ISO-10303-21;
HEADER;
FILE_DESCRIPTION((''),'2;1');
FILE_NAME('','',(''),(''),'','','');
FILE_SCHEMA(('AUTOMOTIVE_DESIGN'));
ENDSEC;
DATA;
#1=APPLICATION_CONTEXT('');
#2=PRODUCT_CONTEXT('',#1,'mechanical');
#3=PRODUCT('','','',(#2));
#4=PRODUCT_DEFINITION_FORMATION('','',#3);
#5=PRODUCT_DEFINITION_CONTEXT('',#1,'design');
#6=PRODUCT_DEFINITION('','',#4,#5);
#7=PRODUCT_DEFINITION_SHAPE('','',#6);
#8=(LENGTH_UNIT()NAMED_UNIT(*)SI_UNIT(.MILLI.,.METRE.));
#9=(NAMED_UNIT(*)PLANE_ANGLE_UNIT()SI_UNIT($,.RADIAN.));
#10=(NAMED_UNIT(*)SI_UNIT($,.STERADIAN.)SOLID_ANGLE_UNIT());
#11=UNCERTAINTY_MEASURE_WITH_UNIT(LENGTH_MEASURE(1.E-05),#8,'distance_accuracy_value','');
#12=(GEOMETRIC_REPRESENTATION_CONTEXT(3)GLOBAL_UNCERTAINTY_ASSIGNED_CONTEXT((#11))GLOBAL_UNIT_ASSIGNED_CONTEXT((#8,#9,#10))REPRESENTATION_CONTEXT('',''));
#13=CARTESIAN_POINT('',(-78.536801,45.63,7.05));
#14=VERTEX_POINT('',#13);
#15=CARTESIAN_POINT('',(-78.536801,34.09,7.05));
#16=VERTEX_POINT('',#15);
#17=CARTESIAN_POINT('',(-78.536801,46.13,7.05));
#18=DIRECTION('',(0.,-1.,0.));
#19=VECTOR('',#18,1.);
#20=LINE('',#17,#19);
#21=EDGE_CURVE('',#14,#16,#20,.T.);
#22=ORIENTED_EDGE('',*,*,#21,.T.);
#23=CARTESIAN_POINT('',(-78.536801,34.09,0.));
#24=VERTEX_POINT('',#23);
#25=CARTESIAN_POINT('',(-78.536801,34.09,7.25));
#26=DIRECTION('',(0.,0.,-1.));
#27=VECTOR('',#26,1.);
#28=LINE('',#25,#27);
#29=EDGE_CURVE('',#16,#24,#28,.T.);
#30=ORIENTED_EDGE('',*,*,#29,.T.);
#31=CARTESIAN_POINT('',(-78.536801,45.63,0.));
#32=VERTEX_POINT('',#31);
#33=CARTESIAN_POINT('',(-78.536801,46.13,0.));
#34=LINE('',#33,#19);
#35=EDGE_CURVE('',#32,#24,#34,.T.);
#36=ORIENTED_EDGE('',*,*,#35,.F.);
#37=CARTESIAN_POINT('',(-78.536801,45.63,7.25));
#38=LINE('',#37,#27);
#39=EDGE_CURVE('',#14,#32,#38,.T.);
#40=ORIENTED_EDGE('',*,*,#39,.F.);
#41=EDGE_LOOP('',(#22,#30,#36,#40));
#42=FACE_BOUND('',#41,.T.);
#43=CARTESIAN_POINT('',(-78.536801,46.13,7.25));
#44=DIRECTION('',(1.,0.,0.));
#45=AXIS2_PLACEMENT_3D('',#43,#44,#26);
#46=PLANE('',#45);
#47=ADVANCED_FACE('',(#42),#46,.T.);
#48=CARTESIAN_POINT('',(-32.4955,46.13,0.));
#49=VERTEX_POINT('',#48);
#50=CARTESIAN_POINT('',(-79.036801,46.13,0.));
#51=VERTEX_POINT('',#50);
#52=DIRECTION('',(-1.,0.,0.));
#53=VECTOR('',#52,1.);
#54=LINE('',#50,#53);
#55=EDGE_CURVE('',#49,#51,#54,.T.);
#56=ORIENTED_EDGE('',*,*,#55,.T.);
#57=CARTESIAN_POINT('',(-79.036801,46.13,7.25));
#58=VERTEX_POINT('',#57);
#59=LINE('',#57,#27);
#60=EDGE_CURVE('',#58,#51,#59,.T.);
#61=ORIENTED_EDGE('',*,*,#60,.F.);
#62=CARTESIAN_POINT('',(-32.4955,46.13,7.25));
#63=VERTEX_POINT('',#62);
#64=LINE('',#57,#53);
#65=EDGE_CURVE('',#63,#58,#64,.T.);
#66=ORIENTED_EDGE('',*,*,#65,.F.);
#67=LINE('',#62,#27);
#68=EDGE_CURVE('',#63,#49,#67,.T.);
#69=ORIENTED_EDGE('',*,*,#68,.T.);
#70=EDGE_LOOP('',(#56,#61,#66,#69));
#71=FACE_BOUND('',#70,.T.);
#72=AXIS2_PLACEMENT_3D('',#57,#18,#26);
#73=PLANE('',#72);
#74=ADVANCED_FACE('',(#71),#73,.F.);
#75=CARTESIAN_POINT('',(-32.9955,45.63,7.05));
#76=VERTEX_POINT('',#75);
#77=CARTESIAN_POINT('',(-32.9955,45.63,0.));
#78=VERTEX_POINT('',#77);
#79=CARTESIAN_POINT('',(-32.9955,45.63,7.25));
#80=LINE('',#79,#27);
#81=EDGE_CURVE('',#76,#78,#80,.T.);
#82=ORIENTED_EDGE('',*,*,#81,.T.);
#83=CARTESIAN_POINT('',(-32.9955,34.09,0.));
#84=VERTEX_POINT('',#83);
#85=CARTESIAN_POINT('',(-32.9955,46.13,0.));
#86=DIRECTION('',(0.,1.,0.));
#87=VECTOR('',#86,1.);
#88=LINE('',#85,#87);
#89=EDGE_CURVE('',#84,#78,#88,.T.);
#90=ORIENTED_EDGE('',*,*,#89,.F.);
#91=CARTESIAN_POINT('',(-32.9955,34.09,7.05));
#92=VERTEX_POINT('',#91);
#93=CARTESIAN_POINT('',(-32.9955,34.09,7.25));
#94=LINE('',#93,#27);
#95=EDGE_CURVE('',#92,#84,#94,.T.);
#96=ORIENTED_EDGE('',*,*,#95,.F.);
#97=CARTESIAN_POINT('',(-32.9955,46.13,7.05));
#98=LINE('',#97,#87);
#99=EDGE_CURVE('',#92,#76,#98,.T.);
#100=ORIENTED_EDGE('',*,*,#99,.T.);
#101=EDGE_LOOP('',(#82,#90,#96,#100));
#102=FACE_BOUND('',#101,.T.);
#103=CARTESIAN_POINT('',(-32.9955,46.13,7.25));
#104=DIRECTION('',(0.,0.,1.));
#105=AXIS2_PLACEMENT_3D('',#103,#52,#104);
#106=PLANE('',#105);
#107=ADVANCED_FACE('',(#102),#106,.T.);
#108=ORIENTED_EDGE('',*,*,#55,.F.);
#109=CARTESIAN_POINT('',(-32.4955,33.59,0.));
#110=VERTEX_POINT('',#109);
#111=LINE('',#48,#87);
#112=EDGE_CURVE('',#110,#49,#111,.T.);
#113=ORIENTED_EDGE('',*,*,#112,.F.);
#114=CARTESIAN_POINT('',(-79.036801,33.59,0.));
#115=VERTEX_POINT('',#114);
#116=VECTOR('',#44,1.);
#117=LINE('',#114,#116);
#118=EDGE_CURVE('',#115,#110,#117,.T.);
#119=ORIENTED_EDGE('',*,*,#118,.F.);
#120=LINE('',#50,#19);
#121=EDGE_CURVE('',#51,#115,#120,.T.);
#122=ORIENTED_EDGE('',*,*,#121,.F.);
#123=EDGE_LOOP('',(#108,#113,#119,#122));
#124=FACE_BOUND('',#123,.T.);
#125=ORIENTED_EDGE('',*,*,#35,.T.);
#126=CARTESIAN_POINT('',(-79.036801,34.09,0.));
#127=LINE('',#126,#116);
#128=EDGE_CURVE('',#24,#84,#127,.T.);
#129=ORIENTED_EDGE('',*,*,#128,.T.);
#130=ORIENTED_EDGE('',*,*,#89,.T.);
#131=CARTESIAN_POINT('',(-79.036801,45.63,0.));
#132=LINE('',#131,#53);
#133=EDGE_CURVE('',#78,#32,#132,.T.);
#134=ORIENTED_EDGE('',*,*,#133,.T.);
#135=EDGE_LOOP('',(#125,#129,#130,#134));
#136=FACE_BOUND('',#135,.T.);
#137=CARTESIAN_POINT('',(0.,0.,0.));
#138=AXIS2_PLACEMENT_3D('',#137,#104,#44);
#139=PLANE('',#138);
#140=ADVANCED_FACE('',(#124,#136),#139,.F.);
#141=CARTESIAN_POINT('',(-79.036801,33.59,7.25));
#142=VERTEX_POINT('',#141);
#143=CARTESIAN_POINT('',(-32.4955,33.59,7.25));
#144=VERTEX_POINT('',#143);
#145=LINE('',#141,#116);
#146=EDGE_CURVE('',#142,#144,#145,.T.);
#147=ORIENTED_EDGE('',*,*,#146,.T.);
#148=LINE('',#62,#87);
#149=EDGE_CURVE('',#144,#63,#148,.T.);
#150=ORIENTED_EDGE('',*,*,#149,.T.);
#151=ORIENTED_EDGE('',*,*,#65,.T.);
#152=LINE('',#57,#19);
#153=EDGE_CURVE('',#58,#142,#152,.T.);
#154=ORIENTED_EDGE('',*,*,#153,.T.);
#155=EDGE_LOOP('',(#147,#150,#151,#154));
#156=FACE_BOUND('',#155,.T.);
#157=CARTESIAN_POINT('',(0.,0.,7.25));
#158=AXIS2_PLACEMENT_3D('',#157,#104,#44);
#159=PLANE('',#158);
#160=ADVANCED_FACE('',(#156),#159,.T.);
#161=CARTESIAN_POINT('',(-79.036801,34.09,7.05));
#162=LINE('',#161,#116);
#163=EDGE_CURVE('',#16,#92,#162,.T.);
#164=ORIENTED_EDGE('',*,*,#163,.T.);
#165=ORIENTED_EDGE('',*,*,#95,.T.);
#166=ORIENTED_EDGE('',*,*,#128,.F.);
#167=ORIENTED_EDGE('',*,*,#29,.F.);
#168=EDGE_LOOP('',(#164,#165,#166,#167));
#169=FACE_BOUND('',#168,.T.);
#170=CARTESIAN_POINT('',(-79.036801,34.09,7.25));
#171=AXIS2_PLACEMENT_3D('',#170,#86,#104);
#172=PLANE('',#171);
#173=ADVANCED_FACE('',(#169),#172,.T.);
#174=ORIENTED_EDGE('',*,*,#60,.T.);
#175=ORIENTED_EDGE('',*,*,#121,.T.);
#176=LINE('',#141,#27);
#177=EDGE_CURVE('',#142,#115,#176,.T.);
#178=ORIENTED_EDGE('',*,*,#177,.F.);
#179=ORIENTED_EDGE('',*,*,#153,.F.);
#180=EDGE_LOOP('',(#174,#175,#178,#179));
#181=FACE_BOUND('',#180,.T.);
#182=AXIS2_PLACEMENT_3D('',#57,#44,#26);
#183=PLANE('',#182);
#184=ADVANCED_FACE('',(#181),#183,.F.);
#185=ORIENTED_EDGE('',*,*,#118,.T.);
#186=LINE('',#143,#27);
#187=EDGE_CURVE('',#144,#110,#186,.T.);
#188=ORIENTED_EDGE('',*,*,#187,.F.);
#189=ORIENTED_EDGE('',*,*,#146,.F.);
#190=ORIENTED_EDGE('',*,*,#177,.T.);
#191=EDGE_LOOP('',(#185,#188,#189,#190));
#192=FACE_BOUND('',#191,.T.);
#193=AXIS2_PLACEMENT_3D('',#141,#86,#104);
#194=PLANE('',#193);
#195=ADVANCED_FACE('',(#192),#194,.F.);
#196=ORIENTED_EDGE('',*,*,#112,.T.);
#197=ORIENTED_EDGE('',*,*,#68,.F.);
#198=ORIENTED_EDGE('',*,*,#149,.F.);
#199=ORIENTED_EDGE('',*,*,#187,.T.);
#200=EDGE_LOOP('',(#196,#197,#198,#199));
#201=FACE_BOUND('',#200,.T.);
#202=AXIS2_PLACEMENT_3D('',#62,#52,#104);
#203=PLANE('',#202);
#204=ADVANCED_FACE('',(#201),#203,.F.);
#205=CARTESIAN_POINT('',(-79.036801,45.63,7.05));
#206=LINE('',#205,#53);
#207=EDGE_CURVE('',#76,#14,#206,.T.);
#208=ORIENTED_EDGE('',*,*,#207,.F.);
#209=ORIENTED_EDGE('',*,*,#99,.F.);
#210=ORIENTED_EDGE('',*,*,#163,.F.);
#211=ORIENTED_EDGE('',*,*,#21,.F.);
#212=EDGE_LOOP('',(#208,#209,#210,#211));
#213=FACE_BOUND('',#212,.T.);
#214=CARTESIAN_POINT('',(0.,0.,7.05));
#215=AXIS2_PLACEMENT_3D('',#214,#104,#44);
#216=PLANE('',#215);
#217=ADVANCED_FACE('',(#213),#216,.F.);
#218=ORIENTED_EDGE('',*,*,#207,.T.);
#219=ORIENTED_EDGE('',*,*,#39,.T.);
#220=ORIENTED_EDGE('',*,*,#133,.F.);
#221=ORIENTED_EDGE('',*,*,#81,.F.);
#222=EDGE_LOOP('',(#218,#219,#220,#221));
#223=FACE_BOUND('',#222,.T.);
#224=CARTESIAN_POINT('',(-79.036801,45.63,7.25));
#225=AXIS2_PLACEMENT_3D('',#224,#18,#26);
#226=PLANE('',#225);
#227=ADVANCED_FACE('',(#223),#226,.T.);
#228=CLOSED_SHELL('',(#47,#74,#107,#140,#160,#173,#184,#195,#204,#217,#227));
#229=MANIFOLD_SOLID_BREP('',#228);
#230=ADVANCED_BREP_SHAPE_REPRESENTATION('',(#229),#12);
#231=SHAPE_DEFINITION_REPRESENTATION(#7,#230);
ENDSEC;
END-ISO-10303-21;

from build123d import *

# Parameters (mm, degrees)
SKETCH1_W                 = 46.54130149
SKETCH1_H                 = 12.54
BOSS_EXTRUDE1_DEPTH       = 7.25
SHELL1_T                  = -0.5
SHELL1_THICKNESS_2_FACE_W = 45.54130149
SHELL1_THICKNESS_2_FACE_H = 11.54
SHELL1_THICKNESS_2_DEPTH  = 0.3


with BuildPart() as part:
    # Sketch1 → Boss-Extrude1 (new body)
    with BuildSketch(Plane.XY):
        with Locations((-55.766150745, 39.86)):
            Rectangle(SKETCH1_W, SKETCH1_H)
    extrude(amount=BOSS_EXTRUDE1_DEPTH)

    # Shell1
    shell1_openings = [part.faces().sort_by_distance(p)[0] for p in [
        (-55.766150745, 39.86, 0),
    ]]
    offset(amount=SHELL1_T, openings=shell1_openings, kind=Kind.INTERSECTION)

    # Shell1 thickness 2 face (on inner face of the shell) → Shell1 thickness 2 (cut)
    with BuildSketch(Plane(origin=(-55.766150745, 39.86, 6.75), x_dir=(1, 0, 0), z_dir=(0, 0, 1))):
        Rectangle(SHELL1_THICKNESS_2_FACE_W, SHELL1_THICKNESS_2_FACE_H)
    extrude(amount=SHELL1_THICKNESS_2_DEPTH, mode=Mode.SUBTRACT)


solid = part.part
